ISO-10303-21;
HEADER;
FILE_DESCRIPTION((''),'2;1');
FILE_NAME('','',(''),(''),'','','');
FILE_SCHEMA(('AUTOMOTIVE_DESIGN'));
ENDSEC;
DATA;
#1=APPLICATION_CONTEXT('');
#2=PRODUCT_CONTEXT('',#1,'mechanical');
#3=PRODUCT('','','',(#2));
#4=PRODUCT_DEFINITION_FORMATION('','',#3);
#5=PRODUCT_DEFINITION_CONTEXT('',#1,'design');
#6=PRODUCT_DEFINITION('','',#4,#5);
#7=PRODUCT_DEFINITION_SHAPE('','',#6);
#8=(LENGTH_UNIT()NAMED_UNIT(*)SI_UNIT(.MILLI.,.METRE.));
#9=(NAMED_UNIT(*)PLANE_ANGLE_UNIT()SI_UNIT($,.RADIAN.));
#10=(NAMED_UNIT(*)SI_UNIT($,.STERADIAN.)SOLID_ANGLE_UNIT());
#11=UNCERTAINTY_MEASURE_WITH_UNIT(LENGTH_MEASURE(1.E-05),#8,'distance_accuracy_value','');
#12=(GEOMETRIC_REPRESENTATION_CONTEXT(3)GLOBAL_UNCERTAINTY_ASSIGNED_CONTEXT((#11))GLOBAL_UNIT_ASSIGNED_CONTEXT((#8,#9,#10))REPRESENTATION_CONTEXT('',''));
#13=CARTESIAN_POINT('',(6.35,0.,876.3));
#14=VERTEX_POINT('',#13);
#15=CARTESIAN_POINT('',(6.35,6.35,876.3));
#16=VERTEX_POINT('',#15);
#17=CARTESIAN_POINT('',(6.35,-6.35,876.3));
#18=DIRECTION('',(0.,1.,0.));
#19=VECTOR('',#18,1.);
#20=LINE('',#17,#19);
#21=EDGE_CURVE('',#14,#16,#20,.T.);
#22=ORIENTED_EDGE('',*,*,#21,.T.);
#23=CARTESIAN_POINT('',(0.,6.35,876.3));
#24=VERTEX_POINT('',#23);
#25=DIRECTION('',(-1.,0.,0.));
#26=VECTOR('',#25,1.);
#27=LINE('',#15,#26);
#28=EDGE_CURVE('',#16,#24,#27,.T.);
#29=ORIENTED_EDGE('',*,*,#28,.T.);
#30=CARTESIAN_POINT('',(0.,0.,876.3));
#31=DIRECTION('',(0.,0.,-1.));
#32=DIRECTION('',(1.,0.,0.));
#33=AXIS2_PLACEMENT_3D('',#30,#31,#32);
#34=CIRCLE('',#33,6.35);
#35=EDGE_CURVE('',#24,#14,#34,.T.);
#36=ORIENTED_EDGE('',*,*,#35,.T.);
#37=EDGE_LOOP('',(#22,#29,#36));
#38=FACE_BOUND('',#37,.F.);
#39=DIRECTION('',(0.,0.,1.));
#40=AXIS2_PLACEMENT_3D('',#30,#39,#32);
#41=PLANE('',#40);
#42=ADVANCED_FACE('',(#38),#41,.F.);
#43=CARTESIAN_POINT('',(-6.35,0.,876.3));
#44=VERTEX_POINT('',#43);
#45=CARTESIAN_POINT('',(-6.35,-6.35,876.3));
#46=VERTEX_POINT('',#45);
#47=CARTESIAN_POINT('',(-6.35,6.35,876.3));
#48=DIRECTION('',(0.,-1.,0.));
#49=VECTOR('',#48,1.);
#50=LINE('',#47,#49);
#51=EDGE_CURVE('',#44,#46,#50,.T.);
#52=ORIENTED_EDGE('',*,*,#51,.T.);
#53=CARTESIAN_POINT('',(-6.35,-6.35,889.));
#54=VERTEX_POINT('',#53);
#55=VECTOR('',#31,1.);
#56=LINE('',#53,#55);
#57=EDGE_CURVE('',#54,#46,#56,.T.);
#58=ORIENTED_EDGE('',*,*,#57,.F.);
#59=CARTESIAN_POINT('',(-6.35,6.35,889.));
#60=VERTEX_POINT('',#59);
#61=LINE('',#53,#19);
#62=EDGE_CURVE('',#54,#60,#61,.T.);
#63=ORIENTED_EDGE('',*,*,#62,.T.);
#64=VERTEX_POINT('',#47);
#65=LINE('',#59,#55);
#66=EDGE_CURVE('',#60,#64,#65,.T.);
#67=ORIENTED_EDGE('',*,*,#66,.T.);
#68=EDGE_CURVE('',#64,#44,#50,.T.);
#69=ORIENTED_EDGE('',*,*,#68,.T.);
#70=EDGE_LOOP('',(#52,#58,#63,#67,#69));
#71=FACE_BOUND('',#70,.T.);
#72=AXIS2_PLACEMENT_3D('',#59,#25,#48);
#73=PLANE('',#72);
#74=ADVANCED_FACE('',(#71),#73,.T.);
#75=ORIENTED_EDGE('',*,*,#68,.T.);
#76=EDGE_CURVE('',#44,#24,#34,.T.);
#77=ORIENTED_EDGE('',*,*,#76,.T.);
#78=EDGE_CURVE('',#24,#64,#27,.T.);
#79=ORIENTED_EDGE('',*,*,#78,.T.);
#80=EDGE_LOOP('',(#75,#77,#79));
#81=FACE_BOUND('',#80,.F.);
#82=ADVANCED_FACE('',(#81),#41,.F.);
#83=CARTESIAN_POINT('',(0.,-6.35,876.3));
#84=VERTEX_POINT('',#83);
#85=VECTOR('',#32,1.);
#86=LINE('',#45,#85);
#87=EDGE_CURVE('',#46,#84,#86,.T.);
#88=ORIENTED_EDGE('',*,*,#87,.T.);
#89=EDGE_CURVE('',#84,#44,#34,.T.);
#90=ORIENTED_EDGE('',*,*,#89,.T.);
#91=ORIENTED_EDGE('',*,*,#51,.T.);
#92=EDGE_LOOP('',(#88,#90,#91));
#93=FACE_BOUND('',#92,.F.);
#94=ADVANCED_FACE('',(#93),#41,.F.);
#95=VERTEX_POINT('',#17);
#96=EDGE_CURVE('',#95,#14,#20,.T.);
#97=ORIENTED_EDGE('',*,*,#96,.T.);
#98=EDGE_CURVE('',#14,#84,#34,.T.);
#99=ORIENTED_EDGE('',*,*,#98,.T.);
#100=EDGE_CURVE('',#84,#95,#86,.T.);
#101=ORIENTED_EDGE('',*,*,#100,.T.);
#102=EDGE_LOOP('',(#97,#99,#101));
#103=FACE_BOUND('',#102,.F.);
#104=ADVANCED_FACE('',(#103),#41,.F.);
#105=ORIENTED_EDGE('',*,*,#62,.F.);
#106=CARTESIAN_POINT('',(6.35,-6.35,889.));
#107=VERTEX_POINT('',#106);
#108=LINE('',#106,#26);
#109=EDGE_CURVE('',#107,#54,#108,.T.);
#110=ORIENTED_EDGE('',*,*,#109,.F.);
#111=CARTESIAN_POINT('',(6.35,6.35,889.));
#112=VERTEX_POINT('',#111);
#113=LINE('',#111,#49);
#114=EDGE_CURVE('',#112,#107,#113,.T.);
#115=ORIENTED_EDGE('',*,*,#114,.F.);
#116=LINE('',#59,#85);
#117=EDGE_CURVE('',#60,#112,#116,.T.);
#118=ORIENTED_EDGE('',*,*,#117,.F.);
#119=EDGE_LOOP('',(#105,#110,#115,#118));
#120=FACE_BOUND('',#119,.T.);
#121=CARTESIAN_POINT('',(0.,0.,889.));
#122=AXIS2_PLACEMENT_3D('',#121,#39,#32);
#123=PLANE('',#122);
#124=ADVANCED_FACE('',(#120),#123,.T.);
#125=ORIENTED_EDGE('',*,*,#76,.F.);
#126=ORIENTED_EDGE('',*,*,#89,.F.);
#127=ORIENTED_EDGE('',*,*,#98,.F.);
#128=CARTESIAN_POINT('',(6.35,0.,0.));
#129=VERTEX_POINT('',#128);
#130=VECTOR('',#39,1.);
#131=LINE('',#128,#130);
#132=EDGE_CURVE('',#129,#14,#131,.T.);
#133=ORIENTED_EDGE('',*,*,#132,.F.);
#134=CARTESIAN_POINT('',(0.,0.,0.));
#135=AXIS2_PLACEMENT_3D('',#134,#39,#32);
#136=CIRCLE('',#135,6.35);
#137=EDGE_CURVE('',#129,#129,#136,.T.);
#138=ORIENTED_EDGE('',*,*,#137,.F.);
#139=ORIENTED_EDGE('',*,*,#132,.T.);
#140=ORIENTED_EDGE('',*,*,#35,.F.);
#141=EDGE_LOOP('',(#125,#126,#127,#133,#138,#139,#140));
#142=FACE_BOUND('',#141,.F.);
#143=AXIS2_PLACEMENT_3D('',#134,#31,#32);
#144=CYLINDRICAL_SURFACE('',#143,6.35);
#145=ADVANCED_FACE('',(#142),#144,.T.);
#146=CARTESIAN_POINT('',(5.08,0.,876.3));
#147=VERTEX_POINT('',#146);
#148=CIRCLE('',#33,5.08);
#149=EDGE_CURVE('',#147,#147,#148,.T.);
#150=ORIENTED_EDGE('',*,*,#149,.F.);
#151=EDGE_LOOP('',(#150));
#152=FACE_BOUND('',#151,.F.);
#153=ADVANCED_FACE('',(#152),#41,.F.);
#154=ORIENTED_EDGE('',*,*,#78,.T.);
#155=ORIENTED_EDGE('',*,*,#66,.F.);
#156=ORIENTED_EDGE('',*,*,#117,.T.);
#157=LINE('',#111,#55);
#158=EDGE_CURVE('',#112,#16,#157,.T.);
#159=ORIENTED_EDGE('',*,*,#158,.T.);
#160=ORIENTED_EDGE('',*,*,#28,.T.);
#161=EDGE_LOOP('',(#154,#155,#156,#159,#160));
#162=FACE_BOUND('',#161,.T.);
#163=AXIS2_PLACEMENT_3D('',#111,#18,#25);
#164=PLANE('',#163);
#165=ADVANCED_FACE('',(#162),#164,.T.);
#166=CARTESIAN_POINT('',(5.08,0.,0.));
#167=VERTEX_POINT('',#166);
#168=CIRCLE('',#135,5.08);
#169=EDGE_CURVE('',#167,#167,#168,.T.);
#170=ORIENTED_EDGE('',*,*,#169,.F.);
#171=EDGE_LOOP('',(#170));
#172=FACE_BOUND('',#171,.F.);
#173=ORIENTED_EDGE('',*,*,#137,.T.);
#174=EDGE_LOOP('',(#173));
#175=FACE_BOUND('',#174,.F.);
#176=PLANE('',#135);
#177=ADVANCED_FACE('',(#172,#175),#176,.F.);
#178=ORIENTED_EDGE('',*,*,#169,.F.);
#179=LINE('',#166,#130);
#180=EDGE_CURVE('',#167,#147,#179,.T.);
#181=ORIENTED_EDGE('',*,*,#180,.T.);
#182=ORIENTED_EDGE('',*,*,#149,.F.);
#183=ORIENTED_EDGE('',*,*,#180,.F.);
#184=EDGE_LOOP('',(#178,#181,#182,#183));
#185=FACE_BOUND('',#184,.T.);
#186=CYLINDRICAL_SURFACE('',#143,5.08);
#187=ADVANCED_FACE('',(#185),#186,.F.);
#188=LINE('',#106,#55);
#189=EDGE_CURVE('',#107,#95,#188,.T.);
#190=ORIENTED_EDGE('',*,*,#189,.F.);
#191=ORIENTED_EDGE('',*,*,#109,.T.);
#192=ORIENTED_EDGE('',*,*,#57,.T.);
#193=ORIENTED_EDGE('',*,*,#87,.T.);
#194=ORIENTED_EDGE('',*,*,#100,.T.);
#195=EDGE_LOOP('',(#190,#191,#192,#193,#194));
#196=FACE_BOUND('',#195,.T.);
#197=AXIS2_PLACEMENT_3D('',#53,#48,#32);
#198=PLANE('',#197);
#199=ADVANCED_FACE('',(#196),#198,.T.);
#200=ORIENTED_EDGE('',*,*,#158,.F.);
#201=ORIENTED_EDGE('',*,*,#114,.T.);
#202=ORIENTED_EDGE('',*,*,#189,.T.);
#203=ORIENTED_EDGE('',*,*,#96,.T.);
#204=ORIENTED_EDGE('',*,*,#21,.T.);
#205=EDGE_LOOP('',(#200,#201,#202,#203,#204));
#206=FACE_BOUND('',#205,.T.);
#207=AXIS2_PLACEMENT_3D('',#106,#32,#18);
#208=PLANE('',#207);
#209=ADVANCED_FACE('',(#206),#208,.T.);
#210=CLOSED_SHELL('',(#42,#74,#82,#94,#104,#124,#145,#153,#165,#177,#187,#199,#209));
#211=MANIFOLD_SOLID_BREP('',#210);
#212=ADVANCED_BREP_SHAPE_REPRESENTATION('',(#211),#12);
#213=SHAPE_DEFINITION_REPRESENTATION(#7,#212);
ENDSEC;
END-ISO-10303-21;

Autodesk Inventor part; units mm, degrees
ref_plane "YZ Plane" through (0, 0, 0) normal (1, 0, 0) x (0, 1, 0)
ref_plane "XZ Plane" through (0, 0, 0) normal (0, 1, 0) x (-1, 0, 0)
ref_plane "XY Plane" through (0, 0, 0) normal (0, 0, 1) x (1, 0, 0)
sketch "Sketch1" plane through (0, 0, 0) normal (0, 0, 1) x (1, 0, 0)
  circle A0 centre (0, 0) radius 6.35
  circle A1 centre (0, 0) radius 5.08
  dimension "d0" = 12.7
  dimension "d1" = 10.16
extrude "Extrusion1" add sketch "Sketch1" along normal blind 889
sketch "Sketch2" plane through (0, 0, 889) normal (0, 0, 1) x (1, 0, 0)
  line L0 (-6.35, -6.35) -> (6.35, -6.35)
  line L1 (6.35, -6.35) -> (6.35, 6.35)
  line L2 (6.35, 6.35) -> (-6.35, 6.35)
  line L3 (-6.35, 6.35) -> (-6.35, -6.35)
  point P0 (0, 0)
extrude "Extrusion2" add sketch "Sketch2" against normal blind 12.7
properties part number "PVC Line"
